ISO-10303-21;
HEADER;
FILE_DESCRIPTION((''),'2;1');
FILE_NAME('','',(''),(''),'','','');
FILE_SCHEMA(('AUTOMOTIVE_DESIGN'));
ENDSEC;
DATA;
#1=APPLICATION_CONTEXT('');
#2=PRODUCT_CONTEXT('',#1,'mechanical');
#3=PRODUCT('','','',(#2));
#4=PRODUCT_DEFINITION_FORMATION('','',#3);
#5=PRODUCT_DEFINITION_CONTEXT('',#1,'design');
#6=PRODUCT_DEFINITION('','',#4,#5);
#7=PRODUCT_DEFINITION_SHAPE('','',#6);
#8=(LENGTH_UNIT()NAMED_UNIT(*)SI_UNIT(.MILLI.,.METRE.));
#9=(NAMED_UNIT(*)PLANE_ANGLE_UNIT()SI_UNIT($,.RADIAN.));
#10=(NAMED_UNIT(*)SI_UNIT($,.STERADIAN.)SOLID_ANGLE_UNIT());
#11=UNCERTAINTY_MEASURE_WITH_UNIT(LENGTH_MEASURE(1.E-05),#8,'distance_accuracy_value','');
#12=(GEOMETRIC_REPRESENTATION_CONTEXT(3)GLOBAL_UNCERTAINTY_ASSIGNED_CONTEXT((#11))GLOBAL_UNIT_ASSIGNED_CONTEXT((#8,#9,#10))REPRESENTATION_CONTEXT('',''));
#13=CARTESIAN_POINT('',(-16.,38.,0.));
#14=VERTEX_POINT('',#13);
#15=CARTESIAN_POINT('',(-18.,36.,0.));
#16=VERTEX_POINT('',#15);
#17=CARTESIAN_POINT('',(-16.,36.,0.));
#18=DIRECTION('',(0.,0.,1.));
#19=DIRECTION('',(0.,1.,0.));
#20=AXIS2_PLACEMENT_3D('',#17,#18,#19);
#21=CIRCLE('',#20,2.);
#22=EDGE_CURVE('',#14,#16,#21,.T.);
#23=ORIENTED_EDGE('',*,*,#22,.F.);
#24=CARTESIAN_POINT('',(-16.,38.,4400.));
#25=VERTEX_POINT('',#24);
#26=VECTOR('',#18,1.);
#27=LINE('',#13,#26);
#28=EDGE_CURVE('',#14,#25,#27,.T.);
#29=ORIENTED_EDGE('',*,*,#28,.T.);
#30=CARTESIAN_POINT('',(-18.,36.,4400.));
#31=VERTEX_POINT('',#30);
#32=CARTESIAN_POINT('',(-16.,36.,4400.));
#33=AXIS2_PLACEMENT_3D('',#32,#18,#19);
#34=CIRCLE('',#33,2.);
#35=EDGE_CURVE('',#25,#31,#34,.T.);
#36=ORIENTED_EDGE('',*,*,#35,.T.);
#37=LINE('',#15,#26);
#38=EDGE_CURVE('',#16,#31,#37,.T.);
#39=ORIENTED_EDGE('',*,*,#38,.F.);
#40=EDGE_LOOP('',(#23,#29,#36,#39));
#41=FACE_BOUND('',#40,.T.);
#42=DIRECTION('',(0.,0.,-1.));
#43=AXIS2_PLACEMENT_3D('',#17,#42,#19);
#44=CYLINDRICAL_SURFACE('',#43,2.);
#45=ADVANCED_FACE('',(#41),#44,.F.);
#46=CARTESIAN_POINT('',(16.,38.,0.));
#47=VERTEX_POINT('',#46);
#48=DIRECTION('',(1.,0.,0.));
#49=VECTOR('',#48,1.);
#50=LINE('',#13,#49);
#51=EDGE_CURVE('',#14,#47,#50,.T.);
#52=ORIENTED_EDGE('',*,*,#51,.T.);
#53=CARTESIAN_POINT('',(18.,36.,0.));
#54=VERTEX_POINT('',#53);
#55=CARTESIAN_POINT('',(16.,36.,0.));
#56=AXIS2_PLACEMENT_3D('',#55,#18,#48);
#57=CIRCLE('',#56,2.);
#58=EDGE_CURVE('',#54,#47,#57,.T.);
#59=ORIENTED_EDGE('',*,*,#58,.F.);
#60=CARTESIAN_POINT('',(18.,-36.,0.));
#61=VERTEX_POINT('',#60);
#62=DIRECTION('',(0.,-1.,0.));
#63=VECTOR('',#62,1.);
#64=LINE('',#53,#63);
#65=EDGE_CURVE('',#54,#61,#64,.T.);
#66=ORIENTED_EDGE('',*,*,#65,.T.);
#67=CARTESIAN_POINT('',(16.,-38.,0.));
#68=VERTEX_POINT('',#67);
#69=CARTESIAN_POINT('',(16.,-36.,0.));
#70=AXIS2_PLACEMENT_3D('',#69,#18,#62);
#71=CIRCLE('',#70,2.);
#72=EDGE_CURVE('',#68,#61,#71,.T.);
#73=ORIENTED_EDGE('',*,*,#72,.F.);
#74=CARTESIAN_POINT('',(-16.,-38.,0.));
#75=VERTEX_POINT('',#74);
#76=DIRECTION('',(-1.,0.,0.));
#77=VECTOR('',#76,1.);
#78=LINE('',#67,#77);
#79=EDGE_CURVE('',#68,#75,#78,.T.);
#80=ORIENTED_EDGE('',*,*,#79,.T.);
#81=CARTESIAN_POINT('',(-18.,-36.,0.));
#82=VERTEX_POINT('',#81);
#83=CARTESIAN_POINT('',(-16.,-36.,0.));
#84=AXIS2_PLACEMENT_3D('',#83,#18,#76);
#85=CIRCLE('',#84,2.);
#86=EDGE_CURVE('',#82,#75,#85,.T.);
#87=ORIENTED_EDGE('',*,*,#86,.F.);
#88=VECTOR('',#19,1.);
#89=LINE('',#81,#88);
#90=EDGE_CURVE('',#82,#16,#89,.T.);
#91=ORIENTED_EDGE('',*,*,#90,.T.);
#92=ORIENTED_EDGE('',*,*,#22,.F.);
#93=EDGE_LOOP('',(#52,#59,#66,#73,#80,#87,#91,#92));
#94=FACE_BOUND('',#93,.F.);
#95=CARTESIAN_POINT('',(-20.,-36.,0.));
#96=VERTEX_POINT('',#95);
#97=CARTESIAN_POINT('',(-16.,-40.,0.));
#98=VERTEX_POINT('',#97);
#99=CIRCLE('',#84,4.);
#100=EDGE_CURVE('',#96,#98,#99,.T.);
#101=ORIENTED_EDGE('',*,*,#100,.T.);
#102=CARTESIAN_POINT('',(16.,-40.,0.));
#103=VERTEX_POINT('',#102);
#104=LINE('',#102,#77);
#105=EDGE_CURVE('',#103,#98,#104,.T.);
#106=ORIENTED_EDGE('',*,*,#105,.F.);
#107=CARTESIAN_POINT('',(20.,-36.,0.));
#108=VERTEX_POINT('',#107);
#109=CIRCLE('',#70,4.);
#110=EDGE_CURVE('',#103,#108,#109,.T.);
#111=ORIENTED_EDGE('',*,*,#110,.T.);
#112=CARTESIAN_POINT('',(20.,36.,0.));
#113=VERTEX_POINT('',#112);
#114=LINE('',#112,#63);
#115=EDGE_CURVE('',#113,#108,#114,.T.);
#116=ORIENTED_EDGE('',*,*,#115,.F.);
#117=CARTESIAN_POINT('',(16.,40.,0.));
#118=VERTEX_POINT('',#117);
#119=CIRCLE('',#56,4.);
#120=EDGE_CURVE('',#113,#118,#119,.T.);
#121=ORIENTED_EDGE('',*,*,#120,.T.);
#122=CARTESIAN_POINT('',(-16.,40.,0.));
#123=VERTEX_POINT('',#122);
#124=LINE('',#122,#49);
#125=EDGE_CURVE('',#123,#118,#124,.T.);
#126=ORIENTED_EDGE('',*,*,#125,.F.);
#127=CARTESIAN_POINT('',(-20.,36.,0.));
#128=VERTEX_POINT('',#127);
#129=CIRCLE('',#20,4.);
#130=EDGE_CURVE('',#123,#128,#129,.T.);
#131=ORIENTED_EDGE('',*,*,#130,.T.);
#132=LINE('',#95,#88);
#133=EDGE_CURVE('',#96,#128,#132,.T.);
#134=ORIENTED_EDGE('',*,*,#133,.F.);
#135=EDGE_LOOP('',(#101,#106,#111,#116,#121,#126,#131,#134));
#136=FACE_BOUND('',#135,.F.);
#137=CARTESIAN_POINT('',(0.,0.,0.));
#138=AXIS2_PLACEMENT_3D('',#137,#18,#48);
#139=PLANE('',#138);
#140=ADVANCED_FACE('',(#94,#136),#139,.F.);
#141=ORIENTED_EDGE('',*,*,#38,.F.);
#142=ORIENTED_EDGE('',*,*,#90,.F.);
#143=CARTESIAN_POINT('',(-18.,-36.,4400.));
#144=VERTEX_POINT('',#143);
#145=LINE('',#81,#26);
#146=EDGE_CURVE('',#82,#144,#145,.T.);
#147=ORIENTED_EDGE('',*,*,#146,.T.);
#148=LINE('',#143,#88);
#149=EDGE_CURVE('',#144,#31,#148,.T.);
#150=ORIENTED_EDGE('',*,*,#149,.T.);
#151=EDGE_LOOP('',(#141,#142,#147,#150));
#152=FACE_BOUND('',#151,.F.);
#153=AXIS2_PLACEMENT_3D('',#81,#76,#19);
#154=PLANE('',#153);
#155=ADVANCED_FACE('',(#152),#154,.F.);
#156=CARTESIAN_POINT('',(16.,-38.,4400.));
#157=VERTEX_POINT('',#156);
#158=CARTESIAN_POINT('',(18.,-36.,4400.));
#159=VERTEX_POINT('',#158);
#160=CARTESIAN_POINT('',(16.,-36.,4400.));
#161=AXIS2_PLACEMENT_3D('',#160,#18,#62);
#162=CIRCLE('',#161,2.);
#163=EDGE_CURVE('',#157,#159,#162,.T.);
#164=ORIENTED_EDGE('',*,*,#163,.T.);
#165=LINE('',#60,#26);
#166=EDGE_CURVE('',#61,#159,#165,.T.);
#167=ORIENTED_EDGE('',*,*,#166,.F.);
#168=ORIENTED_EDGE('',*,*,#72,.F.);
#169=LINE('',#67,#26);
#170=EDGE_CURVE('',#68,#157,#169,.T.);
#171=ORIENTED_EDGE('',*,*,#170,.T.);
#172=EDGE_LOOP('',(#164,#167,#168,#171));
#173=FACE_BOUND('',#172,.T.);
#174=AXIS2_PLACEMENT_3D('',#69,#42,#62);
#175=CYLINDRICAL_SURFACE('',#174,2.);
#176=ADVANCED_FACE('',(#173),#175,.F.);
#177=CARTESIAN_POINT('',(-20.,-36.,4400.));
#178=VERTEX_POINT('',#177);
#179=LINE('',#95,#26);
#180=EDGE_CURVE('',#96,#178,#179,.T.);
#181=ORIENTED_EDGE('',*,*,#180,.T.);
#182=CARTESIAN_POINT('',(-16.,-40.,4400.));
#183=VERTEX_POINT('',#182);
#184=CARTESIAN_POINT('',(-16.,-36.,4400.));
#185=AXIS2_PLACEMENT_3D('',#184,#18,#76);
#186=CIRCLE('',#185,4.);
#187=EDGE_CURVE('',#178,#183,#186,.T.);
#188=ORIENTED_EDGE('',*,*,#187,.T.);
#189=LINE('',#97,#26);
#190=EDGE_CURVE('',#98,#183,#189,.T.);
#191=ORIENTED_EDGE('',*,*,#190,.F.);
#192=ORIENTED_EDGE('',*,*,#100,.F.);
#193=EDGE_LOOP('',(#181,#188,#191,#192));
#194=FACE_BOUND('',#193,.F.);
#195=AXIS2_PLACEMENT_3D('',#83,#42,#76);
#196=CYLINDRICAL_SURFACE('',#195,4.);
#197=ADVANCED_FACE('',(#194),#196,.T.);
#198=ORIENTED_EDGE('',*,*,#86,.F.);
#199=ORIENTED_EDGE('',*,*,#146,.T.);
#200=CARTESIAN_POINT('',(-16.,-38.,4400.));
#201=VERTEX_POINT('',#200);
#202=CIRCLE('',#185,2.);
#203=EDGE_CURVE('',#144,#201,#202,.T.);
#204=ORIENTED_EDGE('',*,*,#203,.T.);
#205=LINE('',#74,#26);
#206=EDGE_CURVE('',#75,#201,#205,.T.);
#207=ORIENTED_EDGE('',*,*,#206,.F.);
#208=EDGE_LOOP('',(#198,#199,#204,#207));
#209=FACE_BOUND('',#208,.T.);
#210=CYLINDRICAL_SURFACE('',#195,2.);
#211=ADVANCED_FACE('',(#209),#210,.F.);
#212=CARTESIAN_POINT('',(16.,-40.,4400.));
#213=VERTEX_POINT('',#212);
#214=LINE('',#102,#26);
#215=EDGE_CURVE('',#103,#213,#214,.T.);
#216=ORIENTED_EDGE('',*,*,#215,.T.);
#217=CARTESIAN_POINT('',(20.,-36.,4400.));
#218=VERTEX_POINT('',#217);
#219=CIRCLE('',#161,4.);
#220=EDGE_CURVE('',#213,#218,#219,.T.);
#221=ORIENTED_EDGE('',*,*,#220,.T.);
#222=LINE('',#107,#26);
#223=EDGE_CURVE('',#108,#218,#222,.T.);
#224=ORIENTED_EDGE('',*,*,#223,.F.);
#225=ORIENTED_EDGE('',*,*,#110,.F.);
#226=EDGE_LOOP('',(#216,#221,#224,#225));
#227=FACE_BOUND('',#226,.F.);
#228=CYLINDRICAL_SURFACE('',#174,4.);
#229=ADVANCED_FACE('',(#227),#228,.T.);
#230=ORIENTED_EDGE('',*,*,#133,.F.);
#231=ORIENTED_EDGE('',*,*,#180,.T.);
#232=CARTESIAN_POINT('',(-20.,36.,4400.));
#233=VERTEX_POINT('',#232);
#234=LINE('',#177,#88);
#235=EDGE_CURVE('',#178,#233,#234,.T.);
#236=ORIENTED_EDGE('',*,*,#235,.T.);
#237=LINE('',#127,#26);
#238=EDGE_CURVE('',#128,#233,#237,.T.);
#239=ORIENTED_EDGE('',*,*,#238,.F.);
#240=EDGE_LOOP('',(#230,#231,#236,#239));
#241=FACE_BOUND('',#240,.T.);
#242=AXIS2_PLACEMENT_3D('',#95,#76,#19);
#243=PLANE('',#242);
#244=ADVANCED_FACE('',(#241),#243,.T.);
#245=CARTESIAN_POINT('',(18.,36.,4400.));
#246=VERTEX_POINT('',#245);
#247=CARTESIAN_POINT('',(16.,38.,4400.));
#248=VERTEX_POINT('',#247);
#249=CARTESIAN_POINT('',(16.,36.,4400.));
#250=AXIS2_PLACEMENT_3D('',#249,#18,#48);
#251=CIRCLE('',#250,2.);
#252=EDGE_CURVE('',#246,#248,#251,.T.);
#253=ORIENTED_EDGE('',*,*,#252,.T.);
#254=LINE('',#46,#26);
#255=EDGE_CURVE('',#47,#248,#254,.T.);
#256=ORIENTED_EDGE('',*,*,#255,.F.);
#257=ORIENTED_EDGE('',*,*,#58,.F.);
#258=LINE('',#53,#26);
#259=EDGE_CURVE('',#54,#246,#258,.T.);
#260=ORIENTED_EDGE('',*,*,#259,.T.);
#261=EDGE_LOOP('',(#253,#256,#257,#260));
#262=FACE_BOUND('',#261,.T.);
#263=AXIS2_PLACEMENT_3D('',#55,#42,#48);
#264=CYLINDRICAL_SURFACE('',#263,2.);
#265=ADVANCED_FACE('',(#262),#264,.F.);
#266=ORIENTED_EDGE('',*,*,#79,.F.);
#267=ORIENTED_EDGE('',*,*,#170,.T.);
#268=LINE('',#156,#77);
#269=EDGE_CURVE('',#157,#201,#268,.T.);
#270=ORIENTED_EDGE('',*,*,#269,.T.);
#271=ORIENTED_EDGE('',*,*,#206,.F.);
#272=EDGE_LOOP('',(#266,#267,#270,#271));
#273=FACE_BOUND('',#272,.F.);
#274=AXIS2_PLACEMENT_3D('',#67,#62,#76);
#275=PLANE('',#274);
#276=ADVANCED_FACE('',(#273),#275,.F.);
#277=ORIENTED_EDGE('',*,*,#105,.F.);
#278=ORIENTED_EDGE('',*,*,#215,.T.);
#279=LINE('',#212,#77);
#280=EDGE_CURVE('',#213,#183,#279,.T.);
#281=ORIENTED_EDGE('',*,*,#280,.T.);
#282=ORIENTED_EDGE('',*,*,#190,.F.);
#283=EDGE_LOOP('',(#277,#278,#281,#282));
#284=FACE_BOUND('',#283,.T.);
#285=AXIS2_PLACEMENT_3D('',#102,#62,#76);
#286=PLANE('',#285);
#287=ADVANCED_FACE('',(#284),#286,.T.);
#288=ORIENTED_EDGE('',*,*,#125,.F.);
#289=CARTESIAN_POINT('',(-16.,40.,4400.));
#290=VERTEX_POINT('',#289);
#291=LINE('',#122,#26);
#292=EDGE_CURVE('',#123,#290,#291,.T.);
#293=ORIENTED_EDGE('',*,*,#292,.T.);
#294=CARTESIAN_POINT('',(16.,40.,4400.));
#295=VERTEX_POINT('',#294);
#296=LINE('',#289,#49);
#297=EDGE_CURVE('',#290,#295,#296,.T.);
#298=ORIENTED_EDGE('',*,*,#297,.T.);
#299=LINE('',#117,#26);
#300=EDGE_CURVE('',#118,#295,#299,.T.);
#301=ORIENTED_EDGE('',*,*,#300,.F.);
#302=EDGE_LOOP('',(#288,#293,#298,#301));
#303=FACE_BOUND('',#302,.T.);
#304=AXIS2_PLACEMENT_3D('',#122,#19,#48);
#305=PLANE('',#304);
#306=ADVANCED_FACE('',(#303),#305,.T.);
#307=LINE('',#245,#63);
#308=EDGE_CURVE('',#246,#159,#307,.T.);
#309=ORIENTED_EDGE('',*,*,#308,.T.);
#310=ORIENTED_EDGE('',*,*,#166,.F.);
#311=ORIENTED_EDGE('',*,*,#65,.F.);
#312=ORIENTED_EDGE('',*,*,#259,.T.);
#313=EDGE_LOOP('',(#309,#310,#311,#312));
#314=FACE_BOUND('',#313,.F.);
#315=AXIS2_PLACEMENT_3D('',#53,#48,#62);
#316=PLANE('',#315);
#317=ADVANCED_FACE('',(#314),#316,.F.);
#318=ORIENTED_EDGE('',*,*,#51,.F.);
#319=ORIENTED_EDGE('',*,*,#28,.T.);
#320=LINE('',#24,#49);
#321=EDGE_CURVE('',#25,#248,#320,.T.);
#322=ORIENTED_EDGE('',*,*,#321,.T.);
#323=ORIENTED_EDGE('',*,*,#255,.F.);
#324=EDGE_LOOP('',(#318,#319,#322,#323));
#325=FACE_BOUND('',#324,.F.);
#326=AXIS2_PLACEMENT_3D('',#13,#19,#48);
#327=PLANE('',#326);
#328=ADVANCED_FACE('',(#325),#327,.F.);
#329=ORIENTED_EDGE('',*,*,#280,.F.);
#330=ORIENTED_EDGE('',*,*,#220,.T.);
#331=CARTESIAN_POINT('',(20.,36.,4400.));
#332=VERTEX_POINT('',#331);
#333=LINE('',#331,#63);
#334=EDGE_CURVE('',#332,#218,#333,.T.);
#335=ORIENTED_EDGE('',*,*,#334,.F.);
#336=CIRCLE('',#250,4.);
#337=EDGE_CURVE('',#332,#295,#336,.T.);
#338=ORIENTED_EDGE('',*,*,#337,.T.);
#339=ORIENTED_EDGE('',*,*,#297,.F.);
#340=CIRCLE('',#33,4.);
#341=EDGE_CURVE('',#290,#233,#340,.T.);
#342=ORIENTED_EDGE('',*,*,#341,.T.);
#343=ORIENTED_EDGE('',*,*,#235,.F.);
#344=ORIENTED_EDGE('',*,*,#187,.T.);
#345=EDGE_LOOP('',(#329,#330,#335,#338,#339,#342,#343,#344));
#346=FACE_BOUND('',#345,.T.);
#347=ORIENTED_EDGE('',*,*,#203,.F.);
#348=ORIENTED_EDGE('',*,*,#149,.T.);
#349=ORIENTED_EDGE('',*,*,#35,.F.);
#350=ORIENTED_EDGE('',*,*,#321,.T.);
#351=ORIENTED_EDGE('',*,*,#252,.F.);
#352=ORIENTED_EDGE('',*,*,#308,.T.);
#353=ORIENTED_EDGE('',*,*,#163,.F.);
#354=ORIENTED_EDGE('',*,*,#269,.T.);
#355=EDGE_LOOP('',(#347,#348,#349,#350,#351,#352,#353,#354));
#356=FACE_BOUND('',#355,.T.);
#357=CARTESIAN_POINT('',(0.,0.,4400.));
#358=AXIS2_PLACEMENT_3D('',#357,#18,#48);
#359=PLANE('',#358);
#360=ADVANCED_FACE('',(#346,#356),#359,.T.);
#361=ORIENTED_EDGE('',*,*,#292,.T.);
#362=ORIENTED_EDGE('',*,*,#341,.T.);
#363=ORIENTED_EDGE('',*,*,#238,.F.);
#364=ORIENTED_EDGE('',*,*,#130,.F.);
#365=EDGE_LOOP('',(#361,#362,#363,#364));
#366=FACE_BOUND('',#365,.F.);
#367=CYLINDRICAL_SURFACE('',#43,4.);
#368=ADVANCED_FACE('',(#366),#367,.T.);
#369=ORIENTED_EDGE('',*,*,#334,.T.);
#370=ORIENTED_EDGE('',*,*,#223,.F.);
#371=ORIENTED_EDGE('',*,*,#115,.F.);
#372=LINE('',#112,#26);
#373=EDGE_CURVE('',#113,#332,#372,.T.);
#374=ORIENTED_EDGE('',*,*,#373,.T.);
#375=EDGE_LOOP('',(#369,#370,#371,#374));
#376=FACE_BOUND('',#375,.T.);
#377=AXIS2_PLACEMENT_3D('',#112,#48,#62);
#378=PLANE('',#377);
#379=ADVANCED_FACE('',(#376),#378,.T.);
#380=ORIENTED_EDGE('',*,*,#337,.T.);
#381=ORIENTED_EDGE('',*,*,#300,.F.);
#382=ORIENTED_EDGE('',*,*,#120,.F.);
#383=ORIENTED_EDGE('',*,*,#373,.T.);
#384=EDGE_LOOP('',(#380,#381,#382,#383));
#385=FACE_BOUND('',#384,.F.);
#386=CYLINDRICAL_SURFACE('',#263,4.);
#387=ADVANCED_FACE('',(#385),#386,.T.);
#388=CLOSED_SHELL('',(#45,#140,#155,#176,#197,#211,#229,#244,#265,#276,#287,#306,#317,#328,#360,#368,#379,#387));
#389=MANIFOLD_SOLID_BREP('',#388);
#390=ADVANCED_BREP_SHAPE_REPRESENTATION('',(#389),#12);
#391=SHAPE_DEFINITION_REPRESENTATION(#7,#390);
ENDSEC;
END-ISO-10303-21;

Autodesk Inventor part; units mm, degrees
ref_plane "YZ Plane" through (0, 0, 0) normal (1, 0, 0) x (0, 1, 0)
ref_plane "Start Plane" through (0, 0, 0) normal (0, 0, 1) x (1, 0, 0)
ref_plane "End Plane" through (0, 0, 4400) normal (0, 0, 1) x (1, 0, 0)
sketch "Sketch" plane through (0, 0, 0) normal (0, 0, 1) x (1, 0, 0)
  line L0 (-20, -36) -> (-20, 36)
  line L1 (-16, 40) -> (16, 40)
  line L2 (20, 36) -> (20, -36)
  line L3 (16, -40) -> (-16, -40)
  arc A0 (-20, -36) -> (-16, -40) centre (-16, -36) ccw
  arc A1 (20, 36) -> (16, 40) centre (16, 36) ccw
  arc A2 (-16, 40) -> (-20, 36) centre (-16, 36) ccw
  arc A3 (16, -40) -> (20, -36) centre (16, -36) ccw
  arc A4 (-16, 38) -> (-18, 36) centre (-16, 36) ccw
  line L4 (-16, 38) -> (16, 38)
  arc A5 (18, 36) -> (16, 38) centre (16, 36) ccw
  line L5 (18, 36) -> (18, -36)
  arc A6 (16, -38) -> (18, -36) centre (16, -36) ccw
  line L6 (16, -38) -> (-16, -38)
  arc A7 (-18, -36) -> (-16, -38) centre (-16, -36) ccw
  line L7 (-18, -36) -> (-18, 36)
  line L8 (0, 57.1598) -> (0, -57.1598) construction
  line L9 (-29.1598, 0) -> (29.1598, 0) construction
  dimension "d7" = 4
  dimension "d9" = 40
  dimension "d11" = 80
  dimension "d12" = 2
  dimension "d15" = 20
  dimension "d16" = 40
extrude "Body" add sketch "Sketch" along normal up to surface (4400 mm away) from surface at 0
sketch "Sketch3" plane through (0, 0, 0) normal (0, 0, 1) x (1, 0, 0)
  line L0 (0, 0) -> (10, 0)
ref_plane "Work Plane3" through (0, 0, 0) normal (0, -1, 0) x (1, 0, 0)
sketch "Sketch4" plane through (0, 0, 0) normal (0, -1, 0) x (1, 0, 0)
  line L0 (-2, 0) -> (12, 0) projected
  line L1 (-2, 4400) -> (12, 4400) projected
  dimension "d18" = 4400
equation "\"d7\" = G_IR"
equation "\"d9\" = G_W"
equation "\"d11\" = G_H"
equation "\"d12\" = G_T"
equation "\"d15\" = 0.5 * d9"
equation "\"d16\" = 0.5 * d11"
equation "\"d3\" = G_L"
equation "\"G_W\" = 40"
equation "\"G_H\" = 80"
equation "\"G_T\" = 2"
equation "\"G_IR\" = 4"
equation "\"G_L\" = d18"
equation "\"G_OFFSET_START\" = 0"
equation "\"G_OFFSET_END\" = 0"
properties part number "ISO 4019 - 80x40x2 - 4400" material "Steel, Mild"
